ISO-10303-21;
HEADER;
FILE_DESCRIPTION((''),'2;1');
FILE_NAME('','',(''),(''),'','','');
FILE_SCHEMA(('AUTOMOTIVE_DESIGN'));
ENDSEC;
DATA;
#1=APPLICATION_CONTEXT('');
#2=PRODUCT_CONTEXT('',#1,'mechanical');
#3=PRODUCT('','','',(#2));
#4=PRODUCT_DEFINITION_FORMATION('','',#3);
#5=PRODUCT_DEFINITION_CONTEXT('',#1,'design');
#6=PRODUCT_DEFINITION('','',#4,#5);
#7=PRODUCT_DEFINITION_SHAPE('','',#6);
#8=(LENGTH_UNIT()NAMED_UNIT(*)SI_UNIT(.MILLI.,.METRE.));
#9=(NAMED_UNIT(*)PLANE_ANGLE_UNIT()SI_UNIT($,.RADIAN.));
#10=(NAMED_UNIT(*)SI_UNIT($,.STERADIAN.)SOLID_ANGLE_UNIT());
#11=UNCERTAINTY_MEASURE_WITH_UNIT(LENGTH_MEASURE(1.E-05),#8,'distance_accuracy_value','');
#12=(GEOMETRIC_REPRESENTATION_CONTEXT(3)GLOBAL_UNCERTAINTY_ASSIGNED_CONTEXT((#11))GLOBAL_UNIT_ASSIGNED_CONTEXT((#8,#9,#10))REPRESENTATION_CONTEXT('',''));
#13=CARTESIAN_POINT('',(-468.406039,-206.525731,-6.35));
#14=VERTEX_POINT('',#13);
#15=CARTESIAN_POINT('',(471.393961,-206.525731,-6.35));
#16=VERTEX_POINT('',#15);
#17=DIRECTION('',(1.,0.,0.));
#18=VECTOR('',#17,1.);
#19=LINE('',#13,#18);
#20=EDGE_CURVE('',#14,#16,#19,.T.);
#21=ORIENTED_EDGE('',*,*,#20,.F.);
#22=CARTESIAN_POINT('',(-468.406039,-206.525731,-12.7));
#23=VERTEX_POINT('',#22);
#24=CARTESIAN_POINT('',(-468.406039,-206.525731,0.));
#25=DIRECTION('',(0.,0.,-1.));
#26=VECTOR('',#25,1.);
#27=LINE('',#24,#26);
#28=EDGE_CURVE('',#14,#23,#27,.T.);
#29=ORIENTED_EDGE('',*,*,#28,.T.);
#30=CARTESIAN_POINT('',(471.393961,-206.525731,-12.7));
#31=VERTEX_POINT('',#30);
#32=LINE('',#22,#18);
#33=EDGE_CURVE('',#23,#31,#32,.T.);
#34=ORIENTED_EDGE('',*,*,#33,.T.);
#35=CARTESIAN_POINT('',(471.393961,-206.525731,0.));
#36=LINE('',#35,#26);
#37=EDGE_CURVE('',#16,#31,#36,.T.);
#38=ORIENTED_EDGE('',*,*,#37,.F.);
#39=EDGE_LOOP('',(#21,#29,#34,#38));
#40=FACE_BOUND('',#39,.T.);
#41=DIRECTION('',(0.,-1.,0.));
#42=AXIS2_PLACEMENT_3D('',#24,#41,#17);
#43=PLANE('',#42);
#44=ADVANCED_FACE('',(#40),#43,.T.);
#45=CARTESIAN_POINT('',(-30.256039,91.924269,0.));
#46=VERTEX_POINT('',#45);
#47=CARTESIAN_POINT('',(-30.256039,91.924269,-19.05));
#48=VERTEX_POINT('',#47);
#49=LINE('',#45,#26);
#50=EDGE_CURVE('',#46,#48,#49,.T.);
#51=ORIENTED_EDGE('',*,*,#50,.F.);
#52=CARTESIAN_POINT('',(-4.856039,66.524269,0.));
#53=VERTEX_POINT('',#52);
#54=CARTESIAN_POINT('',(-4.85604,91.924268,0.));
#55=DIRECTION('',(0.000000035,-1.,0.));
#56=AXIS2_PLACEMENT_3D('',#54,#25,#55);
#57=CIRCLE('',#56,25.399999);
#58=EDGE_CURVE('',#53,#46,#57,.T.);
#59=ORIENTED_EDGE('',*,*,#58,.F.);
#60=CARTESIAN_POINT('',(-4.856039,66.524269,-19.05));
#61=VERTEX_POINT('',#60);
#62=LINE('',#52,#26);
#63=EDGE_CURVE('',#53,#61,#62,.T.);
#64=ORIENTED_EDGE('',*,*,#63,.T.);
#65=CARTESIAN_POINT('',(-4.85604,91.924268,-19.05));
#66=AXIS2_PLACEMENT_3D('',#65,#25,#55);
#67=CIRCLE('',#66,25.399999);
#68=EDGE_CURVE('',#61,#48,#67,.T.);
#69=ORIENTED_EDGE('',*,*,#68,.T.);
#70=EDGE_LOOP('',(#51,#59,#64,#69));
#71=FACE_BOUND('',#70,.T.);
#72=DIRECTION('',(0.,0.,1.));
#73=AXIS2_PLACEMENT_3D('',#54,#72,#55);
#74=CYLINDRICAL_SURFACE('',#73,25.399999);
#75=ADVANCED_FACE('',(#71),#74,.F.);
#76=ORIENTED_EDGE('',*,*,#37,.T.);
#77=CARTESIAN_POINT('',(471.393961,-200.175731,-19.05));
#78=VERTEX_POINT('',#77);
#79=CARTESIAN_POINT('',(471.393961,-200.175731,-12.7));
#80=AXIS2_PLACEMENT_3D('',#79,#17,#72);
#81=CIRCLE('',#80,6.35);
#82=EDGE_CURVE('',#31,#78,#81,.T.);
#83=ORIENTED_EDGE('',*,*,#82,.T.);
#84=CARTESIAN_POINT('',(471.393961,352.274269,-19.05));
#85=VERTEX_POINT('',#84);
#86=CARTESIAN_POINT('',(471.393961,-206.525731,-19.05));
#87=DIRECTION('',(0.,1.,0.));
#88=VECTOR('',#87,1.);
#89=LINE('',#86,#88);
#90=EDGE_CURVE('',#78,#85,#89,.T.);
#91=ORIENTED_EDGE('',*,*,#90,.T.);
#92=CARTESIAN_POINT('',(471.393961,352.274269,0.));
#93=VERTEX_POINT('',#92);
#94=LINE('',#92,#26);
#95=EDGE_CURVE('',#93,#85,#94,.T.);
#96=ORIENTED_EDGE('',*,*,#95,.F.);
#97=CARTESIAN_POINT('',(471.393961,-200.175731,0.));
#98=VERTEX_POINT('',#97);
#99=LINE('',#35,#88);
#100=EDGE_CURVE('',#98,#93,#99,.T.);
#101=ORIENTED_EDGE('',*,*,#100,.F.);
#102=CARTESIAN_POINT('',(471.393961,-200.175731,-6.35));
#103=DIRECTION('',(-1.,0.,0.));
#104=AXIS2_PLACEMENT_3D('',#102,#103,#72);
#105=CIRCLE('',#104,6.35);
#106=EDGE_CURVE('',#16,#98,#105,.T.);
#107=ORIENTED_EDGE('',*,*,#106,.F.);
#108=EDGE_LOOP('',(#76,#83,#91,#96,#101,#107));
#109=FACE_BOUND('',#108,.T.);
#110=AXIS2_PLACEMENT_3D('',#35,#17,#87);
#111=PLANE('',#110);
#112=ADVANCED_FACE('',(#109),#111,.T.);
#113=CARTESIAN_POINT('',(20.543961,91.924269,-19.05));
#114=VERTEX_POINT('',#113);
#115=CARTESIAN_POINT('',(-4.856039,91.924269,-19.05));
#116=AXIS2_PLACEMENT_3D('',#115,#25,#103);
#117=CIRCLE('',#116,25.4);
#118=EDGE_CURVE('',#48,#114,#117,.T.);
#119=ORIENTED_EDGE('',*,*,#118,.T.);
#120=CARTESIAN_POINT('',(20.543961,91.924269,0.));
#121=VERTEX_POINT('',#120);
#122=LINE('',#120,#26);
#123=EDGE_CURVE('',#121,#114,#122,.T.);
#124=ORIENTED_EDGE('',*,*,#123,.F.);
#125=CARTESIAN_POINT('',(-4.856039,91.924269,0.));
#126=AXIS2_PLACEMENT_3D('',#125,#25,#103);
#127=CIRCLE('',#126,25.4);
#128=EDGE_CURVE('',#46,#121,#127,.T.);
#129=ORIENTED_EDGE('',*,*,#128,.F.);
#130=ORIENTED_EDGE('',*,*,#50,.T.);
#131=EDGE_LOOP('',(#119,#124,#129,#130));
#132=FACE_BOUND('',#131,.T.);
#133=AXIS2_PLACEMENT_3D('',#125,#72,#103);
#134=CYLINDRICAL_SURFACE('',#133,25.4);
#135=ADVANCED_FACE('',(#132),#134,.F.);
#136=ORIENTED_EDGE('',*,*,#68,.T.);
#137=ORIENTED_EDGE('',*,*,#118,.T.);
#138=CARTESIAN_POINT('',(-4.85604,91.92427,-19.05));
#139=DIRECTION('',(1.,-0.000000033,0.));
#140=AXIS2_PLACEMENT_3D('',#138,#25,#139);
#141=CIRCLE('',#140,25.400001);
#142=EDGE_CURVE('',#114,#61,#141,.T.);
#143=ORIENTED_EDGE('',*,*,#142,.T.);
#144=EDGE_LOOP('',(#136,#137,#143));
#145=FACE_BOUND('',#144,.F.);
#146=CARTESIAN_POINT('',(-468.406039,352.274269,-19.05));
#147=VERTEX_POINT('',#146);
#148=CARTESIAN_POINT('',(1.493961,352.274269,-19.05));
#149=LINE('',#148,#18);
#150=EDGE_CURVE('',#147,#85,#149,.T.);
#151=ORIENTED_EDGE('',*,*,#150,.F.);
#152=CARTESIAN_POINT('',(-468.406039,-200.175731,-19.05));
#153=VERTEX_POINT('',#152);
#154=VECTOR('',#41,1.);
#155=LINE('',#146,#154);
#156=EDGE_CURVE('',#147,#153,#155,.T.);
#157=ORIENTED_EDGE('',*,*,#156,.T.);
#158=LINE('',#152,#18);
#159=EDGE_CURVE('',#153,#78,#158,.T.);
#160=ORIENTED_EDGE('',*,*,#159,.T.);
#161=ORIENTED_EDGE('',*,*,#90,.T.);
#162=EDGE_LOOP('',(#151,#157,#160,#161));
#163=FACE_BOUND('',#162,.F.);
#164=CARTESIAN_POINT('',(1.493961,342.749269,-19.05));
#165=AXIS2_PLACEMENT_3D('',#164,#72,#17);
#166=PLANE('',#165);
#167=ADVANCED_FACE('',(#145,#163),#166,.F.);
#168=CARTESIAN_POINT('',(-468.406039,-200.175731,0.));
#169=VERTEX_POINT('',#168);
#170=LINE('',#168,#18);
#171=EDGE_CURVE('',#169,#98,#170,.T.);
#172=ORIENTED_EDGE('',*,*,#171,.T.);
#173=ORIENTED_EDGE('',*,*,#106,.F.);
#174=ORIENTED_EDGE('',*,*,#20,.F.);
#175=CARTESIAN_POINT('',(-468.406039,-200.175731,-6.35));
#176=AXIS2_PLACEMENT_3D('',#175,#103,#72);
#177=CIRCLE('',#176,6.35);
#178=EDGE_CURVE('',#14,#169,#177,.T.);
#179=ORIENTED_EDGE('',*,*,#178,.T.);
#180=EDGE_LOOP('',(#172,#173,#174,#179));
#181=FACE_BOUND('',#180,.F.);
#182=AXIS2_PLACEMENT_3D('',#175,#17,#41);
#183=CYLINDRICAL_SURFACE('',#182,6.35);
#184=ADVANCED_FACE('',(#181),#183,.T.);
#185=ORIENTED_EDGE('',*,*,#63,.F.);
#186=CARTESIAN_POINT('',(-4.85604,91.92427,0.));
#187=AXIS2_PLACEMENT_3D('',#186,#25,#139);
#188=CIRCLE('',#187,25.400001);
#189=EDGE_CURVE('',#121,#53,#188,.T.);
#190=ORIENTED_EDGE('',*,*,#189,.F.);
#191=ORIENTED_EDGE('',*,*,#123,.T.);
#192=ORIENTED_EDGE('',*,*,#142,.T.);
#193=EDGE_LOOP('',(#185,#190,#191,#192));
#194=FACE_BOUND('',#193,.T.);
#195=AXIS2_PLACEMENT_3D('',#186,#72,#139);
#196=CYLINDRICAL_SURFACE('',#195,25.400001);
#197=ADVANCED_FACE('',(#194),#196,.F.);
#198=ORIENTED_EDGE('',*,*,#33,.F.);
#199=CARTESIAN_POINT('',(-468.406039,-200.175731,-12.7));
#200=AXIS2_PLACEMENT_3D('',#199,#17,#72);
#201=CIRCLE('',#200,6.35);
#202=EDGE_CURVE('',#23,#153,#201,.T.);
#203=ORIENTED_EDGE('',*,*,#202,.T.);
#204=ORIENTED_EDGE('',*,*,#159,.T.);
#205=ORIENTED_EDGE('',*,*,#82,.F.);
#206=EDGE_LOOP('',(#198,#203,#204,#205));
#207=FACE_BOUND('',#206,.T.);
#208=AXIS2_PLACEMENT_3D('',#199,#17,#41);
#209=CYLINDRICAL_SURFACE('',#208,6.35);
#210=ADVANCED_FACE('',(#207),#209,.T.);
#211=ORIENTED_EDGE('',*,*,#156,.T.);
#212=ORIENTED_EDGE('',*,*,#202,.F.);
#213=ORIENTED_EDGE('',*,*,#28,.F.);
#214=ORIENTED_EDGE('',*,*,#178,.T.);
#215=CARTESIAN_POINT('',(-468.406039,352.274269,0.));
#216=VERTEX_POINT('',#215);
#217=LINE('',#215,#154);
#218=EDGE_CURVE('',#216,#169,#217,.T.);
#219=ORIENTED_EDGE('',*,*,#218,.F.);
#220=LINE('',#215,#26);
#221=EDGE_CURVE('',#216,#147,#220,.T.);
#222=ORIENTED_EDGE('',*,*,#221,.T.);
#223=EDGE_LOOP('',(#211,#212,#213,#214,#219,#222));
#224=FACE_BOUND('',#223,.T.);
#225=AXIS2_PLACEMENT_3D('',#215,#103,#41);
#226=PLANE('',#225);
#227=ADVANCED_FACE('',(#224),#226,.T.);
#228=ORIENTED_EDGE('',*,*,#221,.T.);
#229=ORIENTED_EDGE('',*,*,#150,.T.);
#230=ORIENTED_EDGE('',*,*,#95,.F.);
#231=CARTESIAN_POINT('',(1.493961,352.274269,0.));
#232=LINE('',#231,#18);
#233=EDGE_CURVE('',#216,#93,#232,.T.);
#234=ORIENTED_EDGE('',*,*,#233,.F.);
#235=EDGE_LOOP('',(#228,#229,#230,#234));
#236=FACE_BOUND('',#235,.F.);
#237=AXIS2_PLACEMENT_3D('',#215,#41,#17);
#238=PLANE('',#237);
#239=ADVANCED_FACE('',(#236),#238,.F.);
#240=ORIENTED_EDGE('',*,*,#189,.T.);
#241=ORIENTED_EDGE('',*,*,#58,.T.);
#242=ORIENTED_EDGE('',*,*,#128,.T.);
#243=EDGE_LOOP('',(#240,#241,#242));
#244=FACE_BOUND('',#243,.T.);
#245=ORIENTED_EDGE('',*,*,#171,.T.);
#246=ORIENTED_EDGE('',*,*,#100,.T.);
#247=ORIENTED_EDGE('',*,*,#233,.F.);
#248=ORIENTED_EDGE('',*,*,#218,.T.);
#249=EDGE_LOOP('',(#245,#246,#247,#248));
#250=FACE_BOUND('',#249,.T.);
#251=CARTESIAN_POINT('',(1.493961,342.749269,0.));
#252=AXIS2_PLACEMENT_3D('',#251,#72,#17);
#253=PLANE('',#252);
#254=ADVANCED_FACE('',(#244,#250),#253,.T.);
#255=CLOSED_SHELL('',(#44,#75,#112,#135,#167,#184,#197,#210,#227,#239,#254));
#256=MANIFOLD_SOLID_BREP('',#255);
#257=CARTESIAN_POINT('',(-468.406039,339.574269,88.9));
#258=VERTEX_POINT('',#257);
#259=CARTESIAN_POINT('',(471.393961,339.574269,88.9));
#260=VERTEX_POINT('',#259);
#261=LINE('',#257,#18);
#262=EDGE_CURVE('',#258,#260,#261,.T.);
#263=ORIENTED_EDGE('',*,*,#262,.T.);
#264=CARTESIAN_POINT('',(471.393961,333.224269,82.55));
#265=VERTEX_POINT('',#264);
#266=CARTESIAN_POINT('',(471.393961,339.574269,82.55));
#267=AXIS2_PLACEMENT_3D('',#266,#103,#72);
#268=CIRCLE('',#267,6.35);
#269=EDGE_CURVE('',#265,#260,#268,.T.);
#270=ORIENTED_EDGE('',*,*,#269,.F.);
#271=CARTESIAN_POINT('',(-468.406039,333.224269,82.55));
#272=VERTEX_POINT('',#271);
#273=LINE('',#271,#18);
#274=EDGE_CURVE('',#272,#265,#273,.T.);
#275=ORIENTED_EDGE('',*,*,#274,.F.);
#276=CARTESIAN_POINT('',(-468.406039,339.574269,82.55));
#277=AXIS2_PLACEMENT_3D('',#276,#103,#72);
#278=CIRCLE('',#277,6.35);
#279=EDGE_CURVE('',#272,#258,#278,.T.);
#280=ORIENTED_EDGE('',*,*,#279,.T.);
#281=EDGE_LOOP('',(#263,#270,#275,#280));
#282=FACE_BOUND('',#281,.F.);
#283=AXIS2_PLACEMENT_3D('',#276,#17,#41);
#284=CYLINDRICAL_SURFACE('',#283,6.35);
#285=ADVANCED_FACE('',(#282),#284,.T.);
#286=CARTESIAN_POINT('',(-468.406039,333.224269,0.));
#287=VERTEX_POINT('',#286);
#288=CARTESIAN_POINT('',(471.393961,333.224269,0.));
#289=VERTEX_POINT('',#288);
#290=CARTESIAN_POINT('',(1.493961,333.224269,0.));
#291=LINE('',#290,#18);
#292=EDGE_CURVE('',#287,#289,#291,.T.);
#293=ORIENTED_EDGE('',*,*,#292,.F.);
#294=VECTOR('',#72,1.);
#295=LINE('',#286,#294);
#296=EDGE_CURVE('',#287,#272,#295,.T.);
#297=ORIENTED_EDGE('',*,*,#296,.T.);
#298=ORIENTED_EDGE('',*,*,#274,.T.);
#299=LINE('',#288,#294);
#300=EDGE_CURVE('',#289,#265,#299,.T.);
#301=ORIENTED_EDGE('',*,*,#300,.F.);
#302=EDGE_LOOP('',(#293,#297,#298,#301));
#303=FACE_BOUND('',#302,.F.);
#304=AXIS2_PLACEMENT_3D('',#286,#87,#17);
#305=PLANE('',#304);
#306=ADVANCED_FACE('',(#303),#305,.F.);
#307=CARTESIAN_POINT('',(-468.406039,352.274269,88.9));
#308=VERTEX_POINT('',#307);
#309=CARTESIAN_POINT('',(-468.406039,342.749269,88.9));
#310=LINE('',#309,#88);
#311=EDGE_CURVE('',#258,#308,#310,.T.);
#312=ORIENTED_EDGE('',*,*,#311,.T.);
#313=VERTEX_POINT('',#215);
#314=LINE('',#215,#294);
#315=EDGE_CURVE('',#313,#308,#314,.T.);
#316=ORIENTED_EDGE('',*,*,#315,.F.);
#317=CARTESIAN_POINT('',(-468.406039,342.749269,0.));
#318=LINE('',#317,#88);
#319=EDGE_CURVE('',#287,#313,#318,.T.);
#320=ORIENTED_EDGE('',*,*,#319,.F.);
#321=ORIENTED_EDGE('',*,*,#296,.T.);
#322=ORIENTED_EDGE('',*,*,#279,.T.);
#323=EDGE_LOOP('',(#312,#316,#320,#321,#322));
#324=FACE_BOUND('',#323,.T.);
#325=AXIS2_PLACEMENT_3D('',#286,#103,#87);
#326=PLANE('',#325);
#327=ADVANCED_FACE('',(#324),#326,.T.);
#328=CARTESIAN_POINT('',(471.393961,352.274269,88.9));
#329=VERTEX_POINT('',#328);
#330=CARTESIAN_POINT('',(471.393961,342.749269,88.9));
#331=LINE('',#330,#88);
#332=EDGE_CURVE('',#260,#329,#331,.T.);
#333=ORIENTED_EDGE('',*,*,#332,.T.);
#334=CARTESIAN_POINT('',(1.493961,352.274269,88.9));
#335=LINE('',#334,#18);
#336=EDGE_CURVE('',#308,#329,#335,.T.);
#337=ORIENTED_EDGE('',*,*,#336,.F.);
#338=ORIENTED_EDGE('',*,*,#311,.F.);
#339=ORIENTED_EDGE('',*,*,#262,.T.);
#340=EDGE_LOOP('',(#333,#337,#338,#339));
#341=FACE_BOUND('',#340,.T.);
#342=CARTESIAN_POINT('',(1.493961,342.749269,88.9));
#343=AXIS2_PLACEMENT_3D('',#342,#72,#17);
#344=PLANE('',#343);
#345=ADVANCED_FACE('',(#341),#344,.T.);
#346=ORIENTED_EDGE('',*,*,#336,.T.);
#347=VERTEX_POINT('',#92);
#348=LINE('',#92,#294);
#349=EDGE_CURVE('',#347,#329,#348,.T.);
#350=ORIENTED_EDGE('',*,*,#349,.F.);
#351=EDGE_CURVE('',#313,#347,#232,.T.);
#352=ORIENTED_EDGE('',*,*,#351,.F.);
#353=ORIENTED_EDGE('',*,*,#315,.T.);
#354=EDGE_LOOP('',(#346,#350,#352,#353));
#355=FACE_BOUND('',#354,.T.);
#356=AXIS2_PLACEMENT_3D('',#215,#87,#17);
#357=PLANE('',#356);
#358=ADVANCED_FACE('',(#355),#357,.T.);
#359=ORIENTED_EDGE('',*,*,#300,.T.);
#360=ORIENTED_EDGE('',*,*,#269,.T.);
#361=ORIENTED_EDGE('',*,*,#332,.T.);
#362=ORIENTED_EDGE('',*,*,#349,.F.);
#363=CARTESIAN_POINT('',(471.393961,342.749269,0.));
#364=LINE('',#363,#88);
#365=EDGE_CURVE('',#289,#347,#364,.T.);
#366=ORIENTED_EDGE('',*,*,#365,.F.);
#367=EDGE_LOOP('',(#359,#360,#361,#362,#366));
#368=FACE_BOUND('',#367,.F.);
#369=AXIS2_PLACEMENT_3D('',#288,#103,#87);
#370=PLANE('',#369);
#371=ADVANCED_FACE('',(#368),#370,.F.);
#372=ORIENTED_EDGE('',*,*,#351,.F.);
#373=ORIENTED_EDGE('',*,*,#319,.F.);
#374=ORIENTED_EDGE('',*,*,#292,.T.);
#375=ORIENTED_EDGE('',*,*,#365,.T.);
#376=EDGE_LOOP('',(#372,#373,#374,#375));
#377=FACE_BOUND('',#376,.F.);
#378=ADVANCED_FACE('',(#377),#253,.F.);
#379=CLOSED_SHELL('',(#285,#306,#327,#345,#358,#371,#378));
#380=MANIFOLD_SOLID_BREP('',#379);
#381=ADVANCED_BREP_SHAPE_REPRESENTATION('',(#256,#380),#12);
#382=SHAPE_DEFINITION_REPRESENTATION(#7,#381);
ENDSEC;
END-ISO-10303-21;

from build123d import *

# Parameters (mm, degrees)
F0_W     = 939.8
F0_H     = 19.05
F1_DEPTH = 88.9
F2_DEPTH = 19.05
F3_R     = 6.35
F3_2_R   = 6.35


with BuildPart() as f1:
    # F0 (on Top) → F1 (new body)
    with BuildSketch(Plane.XY):
        with Locations((1.493961, 342.749269)):
            Rectangle(F0_W, F0_H)
    extrude(amount=F1_DEPTH)

    # F3
    f3_edges = [f1.edges().sort_by_distance(p)[0] for p in [
        (1.493961, 333.224269, 88.9),
    ]]
    fillet(f3_edges, radius=F3_R)


with BuildPart() as f2:
    # F0 (on Top) → F2 (new body)
    with BuildSketch(Plane.XY):
        with Locations((1.493961, 342.749269)):
            Rectangle(F0_W, F0_H)
        with BuildLine():
            Line((471.393961, 333.224269), (-468.406039, 333.224269))
            Line((-468.406039, 333.224269), (-468.406039, 91.924269))
            Line((-468.406039, 91.924269), (-30.256039, 91.924269))
            ThreePointArc((-30.256039, 91.924269), (-4.856039, 117.324269), (20.543961, 91.924269))
            ThreePointArc((20.543961, 91.924269), (13.104473, 73.963757), (-4.856039, 66.524269))
            Line((-4.856039, 66.524269), (-4.856039, -206.525731))
            Line((-4.856039, -206.525731), (471.393961, -206.525731))
            Line((471.393961, -206.525731), (471.393961, 333.224269))
        make_face()
        with BuildLine():
            Line((-30.256039, 91.924269), (-468.406039, 91.924269))
            Line((-468.406039, 91.924269), (-468.406039, -206.525731))
            Line((-468.406039, -206.525731), (-4.856039, -206.525731))
            Line((-4.856039, -206.525731), (-4.856039, 66.524269))
            ThreePointArc((-4.856039, 66.524269), (-22.816552, 73.963757), (-30.256039, 91.924269))
        make_face()
    extrude(amount=-F2_DEPTH)

    # F3#2
    f3_2_edges = [f2.edges().sort_by_distance(p)[0] for p in [
        (1.493961, -206.525731, 0),
        (1.493961, -206.525731, -19.05),
    ]]
    fillet(f3_2_edges, radius=F3_2_R)


solid = Compound([f1.part, f2.part])
